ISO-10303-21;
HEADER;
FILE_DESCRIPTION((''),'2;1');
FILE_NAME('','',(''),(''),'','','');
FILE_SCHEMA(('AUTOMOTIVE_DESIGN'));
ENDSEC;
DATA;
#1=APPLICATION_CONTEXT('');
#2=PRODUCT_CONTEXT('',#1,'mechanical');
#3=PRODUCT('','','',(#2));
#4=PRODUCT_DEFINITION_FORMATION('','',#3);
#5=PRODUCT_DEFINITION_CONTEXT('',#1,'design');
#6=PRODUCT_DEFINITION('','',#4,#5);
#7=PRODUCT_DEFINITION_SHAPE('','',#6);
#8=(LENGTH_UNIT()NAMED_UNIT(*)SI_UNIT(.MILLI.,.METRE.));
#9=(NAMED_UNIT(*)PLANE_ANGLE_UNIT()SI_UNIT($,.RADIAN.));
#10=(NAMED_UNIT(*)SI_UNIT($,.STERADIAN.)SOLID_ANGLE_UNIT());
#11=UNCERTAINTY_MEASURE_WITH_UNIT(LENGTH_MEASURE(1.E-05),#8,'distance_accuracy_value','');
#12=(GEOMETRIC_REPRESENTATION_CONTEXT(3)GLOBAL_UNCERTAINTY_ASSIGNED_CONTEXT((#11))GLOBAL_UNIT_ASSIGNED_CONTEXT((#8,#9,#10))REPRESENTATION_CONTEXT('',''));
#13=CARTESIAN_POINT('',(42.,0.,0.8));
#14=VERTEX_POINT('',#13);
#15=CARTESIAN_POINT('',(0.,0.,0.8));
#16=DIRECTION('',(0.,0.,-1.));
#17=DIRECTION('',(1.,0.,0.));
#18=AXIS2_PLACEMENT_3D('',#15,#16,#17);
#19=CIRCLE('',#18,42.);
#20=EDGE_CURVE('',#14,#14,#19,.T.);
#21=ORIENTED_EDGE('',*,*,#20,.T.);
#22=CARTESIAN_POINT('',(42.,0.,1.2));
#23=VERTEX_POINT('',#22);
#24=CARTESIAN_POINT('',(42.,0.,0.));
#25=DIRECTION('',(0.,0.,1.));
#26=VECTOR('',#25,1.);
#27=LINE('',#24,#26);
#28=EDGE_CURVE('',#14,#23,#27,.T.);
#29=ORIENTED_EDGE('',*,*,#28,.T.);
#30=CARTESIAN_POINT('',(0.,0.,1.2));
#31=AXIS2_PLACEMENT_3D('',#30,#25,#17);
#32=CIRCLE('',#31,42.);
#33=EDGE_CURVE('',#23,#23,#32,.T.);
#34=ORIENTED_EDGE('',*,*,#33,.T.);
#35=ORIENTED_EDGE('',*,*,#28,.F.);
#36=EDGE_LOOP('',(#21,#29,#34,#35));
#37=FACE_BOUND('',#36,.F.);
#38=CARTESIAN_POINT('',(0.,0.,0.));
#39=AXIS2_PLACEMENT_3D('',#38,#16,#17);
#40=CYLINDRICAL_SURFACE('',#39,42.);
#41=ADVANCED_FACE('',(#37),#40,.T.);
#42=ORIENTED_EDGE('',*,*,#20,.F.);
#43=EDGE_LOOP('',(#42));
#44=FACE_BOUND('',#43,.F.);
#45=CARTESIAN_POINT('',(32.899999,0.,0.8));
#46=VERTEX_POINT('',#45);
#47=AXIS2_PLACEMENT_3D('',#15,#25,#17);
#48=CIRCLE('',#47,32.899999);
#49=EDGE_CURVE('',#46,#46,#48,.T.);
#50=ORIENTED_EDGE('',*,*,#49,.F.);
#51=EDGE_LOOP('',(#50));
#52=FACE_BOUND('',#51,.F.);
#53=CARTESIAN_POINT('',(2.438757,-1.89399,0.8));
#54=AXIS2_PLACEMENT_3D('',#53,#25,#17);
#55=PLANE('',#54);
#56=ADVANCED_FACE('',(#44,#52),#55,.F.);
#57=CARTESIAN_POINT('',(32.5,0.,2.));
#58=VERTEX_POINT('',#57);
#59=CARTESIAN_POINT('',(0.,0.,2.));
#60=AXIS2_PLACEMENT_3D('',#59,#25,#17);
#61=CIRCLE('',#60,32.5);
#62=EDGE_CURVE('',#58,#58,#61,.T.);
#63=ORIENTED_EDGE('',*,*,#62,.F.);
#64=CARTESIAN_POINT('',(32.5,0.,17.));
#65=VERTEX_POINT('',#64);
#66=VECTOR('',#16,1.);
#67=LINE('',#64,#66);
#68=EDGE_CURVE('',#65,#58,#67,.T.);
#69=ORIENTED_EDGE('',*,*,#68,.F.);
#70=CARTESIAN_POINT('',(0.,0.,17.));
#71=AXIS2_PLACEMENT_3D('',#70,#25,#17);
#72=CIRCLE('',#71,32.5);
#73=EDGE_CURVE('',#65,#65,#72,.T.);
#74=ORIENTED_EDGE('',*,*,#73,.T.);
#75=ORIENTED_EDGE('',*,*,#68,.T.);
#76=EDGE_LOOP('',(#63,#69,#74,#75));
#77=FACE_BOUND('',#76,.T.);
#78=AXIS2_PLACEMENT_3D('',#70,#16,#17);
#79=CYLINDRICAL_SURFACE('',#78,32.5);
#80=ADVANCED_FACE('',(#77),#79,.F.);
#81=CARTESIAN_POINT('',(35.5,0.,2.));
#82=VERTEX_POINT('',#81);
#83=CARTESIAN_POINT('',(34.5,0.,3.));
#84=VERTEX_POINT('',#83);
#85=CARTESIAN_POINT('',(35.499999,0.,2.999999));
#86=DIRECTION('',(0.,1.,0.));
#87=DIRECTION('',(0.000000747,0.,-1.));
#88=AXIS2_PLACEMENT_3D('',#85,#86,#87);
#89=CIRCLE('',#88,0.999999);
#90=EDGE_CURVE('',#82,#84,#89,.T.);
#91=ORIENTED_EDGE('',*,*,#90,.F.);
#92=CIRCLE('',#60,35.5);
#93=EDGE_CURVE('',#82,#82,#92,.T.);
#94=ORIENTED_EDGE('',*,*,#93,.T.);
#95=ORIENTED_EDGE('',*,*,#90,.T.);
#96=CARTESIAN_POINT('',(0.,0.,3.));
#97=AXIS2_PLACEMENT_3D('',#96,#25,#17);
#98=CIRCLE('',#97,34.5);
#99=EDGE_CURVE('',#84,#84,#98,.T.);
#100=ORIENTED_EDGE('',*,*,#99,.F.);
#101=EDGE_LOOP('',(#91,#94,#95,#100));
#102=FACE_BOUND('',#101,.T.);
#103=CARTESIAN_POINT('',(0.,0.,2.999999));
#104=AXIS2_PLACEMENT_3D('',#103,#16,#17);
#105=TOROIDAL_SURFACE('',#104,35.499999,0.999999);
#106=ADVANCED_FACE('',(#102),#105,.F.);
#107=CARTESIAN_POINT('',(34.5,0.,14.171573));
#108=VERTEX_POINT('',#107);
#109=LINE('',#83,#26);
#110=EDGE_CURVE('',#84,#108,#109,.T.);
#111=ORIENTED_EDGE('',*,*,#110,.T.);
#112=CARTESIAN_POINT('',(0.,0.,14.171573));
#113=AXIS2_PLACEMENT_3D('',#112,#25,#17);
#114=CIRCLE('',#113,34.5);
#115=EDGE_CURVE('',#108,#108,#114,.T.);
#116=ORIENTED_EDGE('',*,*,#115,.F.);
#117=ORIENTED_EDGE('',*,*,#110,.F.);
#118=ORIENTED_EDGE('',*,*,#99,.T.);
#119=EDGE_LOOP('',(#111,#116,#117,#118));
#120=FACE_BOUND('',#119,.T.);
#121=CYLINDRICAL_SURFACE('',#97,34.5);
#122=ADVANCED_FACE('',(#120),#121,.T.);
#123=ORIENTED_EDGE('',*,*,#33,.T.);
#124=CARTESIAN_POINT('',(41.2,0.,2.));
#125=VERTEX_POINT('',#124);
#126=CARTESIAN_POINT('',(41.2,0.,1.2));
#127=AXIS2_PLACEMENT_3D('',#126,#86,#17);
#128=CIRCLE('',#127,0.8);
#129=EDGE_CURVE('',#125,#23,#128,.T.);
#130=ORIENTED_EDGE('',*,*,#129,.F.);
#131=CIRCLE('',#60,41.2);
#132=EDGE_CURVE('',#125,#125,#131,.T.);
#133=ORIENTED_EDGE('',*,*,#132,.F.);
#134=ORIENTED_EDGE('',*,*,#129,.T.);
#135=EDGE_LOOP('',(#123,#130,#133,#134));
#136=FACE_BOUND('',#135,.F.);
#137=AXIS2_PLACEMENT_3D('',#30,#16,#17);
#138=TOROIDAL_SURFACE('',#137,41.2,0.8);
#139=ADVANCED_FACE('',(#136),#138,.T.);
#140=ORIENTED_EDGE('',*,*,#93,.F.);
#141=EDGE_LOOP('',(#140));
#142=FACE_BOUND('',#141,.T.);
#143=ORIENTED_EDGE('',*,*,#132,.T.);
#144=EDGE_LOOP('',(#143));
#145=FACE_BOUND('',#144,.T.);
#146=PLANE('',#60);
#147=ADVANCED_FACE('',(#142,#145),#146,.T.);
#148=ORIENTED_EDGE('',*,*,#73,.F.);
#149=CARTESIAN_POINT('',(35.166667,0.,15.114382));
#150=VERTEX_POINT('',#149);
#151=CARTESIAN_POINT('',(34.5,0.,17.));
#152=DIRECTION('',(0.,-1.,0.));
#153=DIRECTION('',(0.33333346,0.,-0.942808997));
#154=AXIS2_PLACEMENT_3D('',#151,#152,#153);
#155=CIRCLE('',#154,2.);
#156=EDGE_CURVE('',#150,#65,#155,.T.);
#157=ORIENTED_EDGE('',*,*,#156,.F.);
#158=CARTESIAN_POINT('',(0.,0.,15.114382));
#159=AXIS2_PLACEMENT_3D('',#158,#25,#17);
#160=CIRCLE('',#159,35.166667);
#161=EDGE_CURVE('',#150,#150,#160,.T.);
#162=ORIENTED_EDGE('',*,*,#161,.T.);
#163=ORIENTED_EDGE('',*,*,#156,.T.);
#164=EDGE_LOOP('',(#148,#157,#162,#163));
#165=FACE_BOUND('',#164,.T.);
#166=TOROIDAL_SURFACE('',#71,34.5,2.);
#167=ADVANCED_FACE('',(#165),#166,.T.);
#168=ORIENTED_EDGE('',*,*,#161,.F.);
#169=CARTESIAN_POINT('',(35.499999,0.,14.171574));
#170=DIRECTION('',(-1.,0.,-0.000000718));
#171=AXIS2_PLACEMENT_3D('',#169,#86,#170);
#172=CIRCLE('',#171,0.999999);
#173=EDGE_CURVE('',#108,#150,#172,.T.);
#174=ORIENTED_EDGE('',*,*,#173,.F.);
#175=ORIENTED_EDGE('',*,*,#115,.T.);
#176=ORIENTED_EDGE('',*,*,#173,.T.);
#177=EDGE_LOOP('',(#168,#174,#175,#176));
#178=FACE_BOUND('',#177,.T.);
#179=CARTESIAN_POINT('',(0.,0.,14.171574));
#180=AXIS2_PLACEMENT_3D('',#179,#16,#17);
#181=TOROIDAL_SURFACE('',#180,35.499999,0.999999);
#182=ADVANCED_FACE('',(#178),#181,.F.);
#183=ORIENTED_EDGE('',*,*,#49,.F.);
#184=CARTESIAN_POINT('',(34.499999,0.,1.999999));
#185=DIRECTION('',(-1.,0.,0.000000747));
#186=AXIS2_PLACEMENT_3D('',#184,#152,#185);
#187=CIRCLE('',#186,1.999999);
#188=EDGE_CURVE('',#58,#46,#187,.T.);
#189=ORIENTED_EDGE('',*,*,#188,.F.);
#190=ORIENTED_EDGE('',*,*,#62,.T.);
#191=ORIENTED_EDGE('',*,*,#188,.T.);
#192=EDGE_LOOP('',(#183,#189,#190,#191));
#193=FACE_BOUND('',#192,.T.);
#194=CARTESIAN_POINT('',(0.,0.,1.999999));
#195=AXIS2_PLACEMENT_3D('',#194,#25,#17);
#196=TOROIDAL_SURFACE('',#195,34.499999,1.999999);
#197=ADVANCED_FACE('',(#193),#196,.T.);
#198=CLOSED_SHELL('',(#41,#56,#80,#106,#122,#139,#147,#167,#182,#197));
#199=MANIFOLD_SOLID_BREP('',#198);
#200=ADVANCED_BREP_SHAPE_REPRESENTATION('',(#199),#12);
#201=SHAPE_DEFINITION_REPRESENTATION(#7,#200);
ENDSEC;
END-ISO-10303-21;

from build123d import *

# Parameters (mm, degrees)
F0_R     = 42
F0_R_2   = 36.5
F1_DEPTH = 2
F4_W     = 134.360425
F4_H     = 153.034464
F5_DEPTH = 0.8
F6_R     = 0.8


with BuildPart() as f1:
    # F0 (on Top) → F1 (new body)
    with BuildSketch(Plane.XY):
        Circle(F0_R)
        Circle(F0_R_2, mode=Mode.SUBTRACT)
    extrude(amount=F1_DEPTH)

    # F2 (on Front) → F3 (revolve)
    with BuildSketch(Plane.XZ):
        with BuildLine():
            Line((36.5, 0), (36.5, 2))
            Line((36.5, 2), (35.5, 2))
            ThreePointArc((35.5, 2), (34.792893, 2.292893), (34.5, 3))
            Line((34.5, 3), (34.5, 14.171573))
            ThreePointArc((34.5, 14.171573), (34.683503, 14.748923), (35.166667, 15.114382))
            ThreePointArc((35.166667, 15.114382), (35.654701, 18.632993), (32.5, 17))
            Line((32.5, 17), (32.5, 2))
            ThreePointArc((32.5, 2), (33.085786, 0.585786), (34.5, 0))
            Line((34.5, 0), (36.5, 0))
        make_face()
    revolve(axis=Axis((0, 0, 63.554913), (0, 0, 1)))

    # F4 (on Top) → F5 (cut)
    with BuildSketch(Plane.XY):
        with Locations((2.438757, -1.89399)):
            Rectangle(F4_W, F4_H)
    extrude(amount=F5_DEPTH, mode=Mode.SUBTRACT)

    # F6
    f6_edges = [f1.edges().sort_by_distance(p)[0] for p in [
        (-42, 0, 2),
    ]]
    fillet(f6_edges, radius=F6_R)


solid = f1.part
